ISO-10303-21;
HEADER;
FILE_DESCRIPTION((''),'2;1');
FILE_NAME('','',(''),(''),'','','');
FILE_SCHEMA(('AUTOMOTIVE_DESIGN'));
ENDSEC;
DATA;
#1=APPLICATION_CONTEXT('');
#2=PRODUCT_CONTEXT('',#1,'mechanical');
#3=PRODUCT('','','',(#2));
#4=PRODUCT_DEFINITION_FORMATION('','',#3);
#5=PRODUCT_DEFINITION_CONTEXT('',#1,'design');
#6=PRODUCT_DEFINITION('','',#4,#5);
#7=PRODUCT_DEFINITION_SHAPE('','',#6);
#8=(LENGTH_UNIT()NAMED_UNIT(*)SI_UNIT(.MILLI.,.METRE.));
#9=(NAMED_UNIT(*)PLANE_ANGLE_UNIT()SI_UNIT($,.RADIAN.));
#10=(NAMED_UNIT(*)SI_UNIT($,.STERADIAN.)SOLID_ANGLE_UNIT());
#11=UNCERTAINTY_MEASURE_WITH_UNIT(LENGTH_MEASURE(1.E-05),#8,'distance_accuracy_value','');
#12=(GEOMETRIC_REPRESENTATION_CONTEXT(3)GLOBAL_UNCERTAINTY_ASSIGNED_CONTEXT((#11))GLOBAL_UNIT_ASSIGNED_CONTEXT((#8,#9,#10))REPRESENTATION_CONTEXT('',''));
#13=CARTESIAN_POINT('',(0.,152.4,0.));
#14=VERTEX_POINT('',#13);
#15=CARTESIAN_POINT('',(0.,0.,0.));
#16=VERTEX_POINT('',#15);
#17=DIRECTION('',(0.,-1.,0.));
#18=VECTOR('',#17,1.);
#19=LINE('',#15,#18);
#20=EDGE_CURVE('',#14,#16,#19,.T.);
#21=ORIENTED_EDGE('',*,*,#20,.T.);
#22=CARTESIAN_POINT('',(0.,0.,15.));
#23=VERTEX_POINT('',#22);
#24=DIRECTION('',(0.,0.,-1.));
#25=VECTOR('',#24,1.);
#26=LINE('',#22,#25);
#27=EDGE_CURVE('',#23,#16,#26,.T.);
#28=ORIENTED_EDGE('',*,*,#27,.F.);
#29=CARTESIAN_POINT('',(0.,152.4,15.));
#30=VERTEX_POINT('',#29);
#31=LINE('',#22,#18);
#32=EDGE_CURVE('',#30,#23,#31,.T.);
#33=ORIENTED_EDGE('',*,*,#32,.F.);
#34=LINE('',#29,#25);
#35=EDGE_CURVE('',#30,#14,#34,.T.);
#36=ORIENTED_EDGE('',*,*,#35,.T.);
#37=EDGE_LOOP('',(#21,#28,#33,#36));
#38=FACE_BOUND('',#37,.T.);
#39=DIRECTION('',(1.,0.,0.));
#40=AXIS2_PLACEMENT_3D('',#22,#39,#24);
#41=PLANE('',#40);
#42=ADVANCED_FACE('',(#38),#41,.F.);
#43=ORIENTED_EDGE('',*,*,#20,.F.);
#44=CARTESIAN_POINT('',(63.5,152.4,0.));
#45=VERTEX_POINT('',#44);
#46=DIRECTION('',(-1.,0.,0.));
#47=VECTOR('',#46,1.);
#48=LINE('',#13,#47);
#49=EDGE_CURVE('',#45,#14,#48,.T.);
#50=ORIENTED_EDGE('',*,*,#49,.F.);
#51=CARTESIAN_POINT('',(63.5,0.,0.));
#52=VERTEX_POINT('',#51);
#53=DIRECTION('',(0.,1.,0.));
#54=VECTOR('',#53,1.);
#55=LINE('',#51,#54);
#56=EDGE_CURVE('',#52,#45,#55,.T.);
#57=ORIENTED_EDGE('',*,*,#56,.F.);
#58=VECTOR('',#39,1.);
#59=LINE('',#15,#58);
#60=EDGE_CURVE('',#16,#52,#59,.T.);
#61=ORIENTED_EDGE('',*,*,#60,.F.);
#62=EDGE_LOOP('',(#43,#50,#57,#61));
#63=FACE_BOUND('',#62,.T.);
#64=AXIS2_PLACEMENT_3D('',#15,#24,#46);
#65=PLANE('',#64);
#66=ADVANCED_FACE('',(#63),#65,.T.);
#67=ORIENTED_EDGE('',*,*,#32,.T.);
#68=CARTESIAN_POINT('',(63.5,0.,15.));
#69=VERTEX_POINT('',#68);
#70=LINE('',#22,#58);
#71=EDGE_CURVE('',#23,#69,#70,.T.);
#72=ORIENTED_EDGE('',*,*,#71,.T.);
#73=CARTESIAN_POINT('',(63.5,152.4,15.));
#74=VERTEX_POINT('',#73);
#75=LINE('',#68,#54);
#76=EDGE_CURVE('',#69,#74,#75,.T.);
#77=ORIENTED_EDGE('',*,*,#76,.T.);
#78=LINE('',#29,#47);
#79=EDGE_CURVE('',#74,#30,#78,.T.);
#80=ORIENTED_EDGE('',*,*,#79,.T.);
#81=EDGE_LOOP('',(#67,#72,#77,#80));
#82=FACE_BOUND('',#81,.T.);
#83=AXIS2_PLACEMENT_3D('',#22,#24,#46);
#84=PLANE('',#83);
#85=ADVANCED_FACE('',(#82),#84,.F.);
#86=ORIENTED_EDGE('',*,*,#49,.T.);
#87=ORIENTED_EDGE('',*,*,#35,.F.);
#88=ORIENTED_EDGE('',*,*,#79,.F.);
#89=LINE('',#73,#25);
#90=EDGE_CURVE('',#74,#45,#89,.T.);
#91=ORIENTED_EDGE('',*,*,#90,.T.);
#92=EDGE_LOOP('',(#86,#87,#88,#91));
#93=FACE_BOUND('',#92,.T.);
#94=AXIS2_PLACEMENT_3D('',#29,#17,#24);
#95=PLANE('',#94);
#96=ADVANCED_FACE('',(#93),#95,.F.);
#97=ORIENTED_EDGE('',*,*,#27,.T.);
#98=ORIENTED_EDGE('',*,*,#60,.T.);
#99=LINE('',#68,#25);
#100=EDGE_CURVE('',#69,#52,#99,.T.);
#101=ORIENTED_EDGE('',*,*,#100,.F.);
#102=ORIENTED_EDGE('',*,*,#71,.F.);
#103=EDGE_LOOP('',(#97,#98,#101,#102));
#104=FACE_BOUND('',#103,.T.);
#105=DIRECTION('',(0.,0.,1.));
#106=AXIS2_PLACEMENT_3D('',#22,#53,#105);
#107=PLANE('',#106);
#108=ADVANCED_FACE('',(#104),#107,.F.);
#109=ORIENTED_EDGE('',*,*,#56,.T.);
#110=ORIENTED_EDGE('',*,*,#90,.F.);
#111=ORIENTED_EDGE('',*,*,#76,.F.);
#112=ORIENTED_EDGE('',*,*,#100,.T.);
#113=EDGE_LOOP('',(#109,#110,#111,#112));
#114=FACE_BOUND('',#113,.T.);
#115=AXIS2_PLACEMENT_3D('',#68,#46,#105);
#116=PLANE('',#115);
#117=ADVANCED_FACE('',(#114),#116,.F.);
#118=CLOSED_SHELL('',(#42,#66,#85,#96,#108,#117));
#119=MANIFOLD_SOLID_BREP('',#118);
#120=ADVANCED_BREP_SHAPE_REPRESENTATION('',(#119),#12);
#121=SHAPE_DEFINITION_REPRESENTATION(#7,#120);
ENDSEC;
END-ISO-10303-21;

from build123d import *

# Parameters (mm, degrees)
SKETCH_1_W      = 63.5
SKETCH_1_H      = 152.4
EXTRUDE_1_DEPTH = 15


with BuildPart() as part:
    # 草图1 → 凸台-拉伸1 (new body)
    with BuildSketch(Plane.XY):
        with Locations((31.75, 76.2)):
            Rectangle(SKETCH_1_W, SKETCH_1_H)
    extrude(amount=EXTRUDE_1_DEPTH)


solid = part.part
